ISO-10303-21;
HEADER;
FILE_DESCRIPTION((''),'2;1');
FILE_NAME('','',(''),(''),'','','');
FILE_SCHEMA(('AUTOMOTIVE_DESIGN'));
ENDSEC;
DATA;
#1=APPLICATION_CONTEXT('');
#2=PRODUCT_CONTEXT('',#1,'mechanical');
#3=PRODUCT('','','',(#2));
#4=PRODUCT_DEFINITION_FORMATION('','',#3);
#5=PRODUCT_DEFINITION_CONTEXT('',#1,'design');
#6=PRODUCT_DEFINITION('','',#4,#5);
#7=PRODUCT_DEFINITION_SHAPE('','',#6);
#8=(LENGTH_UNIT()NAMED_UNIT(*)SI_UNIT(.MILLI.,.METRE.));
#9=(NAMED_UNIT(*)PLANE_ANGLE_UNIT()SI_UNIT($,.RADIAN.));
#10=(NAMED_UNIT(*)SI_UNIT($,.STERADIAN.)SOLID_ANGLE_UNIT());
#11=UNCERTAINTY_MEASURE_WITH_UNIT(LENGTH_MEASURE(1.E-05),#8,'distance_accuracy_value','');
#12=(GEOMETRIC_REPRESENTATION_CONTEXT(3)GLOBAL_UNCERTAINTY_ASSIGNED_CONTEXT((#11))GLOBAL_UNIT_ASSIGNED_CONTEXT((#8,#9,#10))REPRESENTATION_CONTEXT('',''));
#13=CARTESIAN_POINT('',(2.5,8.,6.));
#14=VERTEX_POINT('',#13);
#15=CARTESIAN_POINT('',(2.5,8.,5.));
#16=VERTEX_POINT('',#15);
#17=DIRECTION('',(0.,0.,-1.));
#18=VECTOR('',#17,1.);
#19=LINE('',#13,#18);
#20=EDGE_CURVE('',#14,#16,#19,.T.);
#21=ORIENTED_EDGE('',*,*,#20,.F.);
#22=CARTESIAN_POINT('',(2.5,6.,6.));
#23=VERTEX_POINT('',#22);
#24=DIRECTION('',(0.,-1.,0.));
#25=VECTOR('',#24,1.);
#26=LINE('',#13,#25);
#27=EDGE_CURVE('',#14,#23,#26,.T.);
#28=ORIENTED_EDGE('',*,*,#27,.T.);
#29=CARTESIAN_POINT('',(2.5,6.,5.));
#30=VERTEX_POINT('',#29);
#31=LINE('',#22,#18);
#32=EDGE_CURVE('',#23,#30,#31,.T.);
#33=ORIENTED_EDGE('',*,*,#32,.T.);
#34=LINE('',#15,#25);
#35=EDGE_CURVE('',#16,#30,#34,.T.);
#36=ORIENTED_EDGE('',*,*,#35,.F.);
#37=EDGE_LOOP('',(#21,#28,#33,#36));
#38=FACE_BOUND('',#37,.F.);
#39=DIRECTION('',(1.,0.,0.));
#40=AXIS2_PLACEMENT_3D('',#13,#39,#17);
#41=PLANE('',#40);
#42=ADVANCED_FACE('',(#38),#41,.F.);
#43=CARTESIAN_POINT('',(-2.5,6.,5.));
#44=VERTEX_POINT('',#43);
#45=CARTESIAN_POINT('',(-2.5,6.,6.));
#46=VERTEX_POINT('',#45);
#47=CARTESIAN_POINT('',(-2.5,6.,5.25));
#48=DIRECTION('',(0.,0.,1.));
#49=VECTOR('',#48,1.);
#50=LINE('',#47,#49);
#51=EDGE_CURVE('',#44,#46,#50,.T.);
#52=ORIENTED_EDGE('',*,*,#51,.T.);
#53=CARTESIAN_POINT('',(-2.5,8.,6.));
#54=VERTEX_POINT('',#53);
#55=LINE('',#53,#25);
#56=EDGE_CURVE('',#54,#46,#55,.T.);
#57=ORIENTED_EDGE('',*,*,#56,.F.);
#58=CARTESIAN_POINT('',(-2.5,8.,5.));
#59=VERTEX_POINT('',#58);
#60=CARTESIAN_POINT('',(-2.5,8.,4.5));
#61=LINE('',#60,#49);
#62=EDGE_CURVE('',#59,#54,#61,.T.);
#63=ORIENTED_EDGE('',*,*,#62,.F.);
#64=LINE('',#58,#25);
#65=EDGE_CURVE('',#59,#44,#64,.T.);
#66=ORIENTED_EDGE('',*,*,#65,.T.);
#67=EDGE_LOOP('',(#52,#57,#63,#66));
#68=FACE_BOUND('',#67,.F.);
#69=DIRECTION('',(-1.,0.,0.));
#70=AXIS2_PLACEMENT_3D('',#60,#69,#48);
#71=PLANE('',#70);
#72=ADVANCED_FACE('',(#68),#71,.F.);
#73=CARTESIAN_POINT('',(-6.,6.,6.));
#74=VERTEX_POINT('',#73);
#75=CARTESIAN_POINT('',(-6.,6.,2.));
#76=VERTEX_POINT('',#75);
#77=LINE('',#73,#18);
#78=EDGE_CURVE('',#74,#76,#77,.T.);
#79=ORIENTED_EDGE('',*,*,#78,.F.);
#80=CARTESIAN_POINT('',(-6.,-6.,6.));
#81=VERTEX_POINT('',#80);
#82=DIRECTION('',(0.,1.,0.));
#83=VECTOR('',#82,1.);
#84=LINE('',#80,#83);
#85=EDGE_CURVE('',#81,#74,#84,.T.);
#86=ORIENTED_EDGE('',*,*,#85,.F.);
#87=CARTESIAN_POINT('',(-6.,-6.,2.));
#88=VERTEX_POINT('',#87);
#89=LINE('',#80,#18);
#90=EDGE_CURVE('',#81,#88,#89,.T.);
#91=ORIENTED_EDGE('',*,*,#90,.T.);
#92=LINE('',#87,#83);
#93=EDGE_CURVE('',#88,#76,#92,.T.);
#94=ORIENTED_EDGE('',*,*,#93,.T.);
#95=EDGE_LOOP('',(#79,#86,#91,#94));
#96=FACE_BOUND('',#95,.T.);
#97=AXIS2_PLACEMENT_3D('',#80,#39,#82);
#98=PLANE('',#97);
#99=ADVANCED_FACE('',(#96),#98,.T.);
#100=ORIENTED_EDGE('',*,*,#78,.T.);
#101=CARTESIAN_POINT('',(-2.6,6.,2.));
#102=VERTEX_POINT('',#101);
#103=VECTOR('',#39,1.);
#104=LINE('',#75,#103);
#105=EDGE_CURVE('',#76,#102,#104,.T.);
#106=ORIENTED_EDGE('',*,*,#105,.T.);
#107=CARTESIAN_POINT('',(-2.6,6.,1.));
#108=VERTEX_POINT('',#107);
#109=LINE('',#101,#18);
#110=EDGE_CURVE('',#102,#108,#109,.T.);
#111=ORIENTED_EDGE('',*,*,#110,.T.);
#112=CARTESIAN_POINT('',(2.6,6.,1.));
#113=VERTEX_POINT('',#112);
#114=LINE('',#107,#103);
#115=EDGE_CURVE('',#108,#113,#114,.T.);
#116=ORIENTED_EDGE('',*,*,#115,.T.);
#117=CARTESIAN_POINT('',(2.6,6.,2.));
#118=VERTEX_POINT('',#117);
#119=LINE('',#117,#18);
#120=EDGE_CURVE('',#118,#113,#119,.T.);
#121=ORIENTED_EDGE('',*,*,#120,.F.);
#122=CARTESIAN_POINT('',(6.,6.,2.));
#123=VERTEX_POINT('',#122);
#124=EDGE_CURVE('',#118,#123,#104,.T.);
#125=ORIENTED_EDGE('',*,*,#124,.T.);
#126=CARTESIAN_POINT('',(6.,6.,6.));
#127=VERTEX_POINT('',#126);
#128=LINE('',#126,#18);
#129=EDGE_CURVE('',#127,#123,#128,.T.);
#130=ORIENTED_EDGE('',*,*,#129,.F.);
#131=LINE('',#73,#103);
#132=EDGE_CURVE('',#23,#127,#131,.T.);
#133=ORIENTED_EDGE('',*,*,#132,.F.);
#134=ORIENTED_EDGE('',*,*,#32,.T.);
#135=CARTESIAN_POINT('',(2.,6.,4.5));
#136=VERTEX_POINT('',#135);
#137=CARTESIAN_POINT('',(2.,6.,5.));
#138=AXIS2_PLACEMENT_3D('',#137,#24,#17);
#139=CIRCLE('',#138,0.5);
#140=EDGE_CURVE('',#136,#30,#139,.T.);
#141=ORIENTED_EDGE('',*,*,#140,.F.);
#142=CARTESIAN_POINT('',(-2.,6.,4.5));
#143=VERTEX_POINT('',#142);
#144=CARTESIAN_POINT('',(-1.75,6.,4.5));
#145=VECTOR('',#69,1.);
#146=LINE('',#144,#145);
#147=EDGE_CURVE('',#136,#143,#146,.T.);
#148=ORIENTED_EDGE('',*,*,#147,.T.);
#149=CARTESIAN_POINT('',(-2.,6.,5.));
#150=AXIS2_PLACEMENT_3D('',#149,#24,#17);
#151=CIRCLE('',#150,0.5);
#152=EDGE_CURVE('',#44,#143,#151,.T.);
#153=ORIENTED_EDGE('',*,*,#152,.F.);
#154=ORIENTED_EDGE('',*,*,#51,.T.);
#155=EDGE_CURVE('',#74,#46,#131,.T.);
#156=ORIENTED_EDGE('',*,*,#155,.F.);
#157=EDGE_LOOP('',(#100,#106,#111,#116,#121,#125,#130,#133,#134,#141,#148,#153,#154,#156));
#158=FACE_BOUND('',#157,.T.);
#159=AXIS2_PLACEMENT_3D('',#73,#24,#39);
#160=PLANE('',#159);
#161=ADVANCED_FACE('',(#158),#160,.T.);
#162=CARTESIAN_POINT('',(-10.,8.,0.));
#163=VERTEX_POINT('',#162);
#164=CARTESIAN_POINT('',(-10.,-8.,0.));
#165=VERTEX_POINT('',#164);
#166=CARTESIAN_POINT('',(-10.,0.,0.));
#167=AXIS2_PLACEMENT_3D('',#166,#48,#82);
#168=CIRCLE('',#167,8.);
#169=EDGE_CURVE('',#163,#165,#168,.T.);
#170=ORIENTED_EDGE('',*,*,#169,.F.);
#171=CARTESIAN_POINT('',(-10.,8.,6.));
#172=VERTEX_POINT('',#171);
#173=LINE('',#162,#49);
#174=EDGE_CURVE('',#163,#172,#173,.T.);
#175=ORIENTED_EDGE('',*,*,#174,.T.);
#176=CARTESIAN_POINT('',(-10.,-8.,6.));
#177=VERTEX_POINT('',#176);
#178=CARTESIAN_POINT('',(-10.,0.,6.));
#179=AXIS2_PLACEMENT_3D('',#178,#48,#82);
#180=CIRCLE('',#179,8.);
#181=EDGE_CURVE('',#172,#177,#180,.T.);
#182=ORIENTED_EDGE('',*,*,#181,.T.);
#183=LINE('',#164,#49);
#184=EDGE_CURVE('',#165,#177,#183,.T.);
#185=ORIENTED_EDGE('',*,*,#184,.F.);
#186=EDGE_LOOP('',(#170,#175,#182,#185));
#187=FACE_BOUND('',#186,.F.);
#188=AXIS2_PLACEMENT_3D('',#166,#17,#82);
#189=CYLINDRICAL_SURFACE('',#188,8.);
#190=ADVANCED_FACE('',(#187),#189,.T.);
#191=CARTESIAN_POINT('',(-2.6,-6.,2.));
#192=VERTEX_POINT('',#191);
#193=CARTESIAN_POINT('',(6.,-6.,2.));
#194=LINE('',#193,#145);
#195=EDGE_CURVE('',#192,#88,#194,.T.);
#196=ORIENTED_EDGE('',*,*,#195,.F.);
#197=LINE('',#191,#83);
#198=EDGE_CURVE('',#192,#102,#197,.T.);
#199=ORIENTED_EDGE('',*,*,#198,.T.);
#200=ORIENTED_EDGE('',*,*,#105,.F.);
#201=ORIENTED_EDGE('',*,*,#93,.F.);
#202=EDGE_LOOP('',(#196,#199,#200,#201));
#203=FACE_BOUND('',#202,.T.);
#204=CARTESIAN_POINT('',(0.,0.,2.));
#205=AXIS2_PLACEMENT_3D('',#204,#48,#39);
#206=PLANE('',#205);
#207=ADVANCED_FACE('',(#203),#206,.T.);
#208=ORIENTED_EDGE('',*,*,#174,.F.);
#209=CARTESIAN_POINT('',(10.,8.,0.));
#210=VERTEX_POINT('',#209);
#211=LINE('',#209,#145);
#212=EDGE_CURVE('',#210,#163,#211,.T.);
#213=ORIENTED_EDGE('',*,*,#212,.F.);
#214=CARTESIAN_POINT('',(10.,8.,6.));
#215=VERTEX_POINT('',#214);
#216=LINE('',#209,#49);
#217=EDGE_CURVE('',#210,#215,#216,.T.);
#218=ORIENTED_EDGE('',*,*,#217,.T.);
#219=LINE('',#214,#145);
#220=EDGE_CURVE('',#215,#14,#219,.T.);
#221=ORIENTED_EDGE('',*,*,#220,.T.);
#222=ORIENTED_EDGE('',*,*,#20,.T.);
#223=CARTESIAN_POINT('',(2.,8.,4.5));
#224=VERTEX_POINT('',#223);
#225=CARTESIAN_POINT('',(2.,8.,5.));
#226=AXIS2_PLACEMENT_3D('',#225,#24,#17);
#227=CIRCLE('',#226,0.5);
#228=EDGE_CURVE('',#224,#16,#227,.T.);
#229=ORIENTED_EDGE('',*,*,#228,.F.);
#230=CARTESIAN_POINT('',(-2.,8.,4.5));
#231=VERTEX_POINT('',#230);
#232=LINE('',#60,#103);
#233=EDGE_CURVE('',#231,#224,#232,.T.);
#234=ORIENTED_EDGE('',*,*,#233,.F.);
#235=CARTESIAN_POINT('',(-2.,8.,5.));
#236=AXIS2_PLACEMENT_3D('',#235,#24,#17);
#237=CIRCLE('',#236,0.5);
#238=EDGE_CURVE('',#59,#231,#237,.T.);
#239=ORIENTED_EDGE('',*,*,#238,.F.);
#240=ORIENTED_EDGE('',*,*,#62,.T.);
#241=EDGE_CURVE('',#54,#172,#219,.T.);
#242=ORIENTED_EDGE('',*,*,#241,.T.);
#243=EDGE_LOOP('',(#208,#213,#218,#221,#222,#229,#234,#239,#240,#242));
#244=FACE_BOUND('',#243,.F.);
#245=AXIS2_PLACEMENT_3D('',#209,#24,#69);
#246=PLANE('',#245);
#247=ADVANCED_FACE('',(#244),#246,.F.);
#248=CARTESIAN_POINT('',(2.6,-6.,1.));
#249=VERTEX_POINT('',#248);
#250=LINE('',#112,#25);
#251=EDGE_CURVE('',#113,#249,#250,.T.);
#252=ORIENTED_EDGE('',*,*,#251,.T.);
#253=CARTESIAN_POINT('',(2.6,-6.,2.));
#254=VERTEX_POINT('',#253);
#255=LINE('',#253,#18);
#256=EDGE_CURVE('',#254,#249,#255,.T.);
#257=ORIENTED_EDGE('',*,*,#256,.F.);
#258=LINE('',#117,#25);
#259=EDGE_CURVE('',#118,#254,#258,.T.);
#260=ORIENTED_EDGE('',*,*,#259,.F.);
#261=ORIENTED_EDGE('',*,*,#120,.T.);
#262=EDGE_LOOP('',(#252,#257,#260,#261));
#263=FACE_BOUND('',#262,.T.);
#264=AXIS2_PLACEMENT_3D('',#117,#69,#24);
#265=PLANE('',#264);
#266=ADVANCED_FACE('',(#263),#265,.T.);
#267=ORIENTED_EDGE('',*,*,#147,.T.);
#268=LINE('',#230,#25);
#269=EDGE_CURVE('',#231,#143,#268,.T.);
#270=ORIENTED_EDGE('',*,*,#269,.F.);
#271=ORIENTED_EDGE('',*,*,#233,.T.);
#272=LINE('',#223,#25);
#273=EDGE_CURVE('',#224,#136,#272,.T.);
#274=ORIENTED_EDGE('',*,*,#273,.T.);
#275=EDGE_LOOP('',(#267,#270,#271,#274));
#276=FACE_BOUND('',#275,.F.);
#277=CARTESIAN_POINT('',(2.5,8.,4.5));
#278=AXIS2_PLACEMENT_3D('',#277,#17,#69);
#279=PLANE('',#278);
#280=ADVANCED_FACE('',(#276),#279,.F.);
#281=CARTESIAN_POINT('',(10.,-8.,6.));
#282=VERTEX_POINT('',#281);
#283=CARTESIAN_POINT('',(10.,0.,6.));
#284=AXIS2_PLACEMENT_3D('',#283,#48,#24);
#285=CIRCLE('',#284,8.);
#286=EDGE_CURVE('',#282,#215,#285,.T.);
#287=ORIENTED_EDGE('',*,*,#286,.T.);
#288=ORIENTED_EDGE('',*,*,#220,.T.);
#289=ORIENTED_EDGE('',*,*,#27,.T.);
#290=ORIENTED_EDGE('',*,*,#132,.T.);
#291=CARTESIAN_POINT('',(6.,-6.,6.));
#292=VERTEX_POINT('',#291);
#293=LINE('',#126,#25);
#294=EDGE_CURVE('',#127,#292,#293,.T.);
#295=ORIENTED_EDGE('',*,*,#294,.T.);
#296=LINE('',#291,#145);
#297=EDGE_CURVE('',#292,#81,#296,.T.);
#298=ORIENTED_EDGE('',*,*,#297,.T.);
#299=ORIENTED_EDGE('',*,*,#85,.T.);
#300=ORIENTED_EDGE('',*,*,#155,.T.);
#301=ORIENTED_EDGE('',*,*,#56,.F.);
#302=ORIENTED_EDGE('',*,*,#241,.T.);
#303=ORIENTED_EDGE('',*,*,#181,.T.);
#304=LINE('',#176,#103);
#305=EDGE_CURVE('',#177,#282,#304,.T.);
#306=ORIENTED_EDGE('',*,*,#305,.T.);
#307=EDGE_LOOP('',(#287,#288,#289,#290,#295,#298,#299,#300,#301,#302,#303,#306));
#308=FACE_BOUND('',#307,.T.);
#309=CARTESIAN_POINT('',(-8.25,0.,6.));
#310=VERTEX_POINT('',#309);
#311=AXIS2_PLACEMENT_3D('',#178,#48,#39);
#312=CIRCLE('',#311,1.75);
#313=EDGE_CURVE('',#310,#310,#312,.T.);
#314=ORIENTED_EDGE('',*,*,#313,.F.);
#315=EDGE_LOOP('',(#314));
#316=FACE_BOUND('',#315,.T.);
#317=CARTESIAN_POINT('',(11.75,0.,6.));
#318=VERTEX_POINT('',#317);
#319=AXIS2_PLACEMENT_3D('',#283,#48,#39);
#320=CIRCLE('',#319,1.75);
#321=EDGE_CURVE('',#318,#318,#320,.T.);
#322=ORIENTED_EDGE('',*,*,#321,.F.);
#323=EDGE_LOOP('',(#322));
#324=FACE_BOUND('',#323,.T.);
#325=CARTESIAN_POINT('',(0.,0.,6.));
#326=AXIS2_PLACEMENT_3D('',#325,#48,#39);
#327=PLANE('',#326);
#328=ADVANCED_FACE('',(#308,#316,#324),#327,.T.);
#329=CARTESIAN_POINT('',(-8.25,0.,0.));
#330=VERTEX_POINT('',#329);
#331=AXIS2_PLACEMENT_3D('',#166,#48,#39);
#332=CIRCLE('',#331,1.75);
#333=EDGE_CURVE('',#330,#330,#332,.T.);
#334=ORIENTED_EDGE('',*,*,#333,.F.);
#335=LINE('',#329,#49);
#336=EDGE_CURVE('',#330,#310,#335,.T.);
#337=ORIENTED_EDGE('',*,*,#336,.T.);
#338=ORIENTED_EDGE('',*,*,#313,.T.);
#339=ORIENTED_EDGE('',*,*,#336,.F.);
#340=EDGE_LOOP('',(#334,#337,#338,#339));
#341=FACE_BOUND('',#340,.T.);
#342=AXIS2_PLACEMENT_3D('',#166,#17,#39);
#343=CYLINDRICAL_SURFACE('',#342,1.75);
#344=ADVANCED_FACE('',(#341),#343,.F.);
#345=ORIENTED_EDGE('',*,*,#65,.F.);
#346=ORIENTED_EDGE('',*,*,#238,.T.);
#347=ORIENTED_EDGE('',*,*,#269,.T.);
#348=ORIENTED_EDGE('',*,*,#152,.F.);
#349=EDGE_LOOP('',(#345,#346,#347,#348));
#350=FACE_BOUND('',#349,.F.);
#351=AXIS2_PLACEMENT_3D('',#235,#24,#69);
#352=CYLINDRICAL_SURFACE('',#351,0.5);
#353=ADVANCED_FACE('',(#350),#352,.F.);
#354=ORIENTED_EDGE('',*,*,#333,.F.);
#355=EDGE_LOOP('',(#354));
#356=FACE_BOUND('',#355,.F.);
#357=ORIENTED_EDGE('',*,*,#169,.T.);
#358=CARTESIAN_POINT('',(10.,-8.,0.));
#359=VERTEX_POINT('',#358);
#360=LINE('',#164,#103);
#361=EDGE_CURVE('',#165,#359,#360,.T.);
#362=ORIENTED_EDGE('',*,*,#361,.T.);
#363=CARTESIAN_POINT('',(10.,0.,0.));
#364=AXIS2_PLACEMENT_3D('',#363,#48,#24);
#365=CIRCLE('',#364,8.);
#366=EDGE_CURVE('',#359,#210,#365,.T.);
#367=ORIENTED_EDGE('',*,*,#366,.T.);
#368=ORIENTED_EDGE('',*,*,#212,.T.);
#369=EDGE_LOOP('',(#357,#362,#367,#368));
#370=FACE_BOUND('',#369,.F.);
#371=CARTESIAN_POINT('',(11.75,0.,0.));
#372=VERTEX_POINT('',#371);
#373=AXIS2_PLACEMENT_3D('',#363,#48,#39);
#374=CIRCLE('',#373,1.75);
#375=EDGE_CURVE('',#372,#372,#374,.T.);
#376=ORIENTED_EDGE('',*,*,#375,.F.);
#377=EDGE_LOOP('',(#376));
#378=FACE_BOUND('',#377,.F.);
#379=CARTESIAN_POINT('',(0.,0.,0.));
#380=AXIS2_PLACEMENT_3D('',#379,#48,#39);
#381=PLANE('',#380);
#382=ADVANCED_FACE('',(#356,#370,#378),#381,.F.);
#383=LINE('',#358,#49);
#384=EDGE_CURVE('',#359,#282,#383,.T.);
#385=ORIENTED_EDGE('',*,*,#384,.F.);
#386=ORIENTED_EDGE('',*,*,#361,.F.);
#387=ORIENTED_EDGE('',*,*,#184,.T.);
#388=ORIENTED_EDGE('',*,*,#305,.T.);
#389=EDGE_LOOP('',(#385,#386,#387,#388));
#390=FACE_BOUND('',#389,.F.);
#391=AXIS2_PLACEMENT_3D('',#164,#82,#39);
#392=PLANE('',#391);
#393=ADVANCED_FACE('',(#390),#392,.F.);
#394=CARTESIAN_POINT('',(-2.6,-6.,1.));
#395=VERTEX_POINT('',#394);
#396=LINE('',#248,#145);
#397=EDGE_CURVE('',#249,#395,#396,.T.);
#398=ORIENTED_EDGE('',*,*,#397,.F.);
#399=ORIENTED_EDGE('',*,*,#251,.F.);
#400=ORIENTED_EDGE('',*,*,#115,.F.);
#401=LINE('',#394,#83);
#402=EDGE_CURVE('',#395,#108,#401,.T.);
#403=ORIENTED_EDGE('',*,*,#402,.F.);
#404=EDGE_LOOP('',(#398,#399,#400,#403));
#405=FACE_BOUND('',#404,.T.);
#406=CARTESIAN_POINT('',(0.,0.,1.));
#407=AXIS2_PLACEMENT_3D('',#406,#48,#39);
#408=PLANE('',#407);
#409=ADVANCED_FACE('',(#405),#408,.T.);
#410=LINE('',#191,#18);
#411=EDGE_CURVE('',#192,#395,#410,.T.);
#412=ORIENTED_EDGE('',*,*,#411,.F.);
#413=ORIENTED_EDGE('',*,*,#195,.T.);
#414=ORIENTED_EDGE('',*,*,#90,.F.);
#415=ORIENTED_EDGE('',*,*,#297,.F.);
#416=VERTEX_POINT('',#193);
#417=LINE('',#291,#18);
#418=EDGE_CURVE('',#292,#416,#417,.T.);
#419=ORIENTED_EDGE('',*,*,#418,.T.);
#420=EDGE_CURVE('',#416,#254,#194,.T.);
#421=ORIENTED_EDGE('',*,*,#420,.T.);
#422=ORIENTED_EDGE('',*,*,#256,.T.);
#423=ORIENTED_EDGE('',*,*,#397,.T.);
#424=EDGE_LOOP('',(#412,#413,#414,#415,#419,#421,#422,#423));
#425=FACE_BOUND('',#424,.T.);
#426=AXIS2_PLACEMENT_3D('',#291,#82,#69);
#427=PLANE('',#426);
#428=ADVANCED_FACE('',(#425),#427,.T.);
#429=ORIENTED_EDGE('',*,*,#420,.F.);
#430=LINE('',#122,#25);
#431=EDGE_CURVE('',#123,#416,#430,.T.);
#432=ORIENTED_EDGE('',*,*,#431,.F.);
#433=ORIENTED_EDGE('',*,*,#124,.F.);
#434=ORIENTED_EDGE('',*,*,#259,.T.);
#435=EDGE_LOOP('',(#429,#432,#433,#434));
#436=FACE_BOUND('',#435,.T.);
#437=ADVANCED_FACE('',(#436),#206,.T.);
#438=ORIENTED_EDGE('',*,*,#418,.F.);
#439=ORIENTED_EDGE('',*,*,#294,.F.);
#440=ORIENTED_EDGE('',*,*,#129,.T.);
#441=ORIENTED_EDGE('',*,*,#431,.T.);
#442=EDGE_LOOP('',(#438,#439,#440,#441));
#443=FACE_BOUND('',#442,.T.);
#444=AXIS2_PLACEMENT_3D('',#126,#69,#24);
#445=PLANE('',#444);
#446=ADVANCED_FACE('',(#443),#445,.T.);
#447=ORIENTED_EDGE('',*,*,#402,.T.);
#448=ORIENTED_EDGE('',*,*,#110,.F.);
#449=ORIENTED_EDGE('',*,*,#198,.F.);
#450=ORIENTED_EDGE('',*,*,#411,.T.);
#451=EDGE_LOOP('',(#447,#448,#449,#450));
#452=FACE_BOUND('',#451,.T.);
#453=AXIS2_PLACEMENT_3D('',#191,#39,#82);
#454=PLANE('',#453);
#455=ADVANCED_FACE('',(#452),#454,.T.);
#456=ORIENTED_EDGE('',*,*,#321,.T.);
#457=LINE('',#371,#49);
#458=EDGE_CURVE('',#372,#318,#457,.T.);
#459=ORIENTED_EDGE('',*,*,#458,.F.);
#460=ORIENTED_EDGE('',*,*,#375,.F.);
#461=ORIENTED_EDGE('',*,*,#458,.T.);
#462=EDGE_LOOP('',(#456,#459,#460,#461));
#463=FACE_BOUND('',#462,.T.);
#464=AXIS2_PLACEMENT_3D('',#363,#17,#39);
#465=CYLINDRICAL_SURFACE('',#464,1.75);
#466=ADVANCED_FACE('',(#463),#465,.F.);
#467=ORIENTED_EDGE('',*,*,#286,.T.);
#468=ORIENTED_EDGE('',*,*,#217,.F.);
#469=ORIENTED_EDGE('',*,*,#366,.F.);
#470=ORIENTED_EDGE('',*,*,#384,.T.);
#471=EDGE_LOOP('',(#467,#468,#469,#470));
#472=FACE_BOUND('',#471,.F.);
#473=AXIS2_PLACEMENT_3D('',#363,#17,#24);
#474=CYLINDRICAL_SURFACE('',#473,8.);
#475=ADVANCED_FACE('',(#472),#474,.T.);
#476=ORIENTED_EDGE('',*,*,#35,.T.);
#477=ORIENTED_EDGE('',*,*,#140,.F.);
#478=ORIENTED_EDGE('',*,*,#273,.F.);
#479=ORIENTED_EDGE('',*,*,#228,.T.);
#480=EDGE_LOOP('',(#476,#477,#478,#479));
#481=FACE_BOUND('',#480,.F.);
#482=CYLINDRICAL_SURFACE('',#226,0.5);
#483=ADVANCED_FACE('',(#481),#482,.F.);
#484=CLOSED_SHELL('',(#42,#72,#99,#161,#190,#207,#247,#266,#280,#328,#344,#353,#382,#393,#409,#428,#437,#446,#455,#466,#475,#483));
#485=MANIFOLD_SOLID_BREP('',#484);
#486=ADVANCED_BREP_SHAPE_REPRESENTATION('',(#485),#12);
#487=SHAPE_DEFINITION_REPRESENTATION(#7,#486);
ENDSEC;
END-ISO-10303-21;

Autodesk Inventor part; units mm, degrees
ref_plane "YZ Plane" through (0, 0, 0) normal (1, 0, 0) x (0, 1, 0)
ref_plane "XZ Plane" through (0, 0, 0) normal (0, 1, 0) x (-1, 0, 0)
ref_plane "XY Plane" through (0, 0, 0) normal (0, 0, 1) x (1, 0, 0)
sketch "Skizze1" plane through (0, 0, 0) normal (0, 0, 1) x (1, 0, 0)
  line L0 (10, 0) -> (-10, 0) construction
  line L1 (10, 8) -> (-10, 8)
  line L2 (-10, -8) -> (10, -8)
  arc A0 (10, -8) -> (10, 8) centre (10, 0) ccw
  arc A1 (-10, 8) -> (-10, -8) centre (-10, 0) ccw
  circle A2 centre (-10, 0) radius 1.75
  circle A3 centre (10, 0) radius 1.75
  point P0 (0, 0)
  dimension "d0" = 16
  dimension "d1" = 20
  dimension "d2" = 3.5
  dimension "d3" = 3.5
extrude "Extrusion1" add sketch "Skizze1" along normal blind 6
sketch "Skizze2" plane through (0, 0, 6) normal (0, 0, 1) x (1, 0, 0)
  line L0 (6, -6) -> (-6, -6)
  line L1 (-6, -6) -> (-6, 6)
  line L2 (-6, 6) -> (6, 6)
  line L3 (6, 6) -> (6, -6)
  line L4 (6, -6) -> (-6, 6) construction
  line L5 (-6, -6) -> (6, 6) construction
  point P0 (0, 0)
  dimension "d6" = 12
  dimension "d7" = 12
extrude "Extrusion2" cut sketch "Skizze2" against normal blind 4
sketch "Skizze3" plane through (-10, 8, 0) normal (0, 1, 0) x (1, 0, 0)
  line L0 (10, 1.2) -> (10, -7.2) projected
  line L1 (4, -6) -> (16, -6) projected
  line L2 (12.5, -4.5) -> (7.5, -4.5)
  line L3 (7.5, -4.5) -> (7.5, -6)
  line L4 (7.5, -6) -> (12.5, -6)
  line L5 (12.5, -6) -> (12.5, -4.5)
  line L6 (12.5, -4.5) -> (7.5, -6) construction
  line L7 (7.5, -4.5) -> (12.5, -6) construction
  point P0 (10, -5.25)
  dimension "d10" = 5
  dimension "d11" = 1.5
extrude "Extrusion3" cut sketch "Skizze3" against normal up to next
fillet "Rundung1" radius 0.5 2 edges at (-2.5, 7, 4.5) (2.5, 7, 4.5)
sketch "Skizze4" plane through (0, 0, 2) normal (0, 0, 1) x (1, 0, 0)
  line L0 (2.6, -6) -> (-2.6, -6)
  line L1 (-2.6, -6) -> (-2.6, 6)
  line L2 (-2.6, 6) -> (2.6, 6)
  line L3 (2.6, 6) -> (2.6, -6)
  line L4 (2.6, -6) -> (-2.6, 6) construction
  line L5 (-2.6, -6) -> (2.6, 6) construction
  line L6 (6, -6) -> (-6, -6) projected
  point P0 (0, 0)
  dimension "d15" = 5.2
extrude "Extrusion4" cut sketch "Skizze4" against normal blind 1
equation "\"d3\" = d2"
properties part number "LenkwinkelsensorAS5600"
